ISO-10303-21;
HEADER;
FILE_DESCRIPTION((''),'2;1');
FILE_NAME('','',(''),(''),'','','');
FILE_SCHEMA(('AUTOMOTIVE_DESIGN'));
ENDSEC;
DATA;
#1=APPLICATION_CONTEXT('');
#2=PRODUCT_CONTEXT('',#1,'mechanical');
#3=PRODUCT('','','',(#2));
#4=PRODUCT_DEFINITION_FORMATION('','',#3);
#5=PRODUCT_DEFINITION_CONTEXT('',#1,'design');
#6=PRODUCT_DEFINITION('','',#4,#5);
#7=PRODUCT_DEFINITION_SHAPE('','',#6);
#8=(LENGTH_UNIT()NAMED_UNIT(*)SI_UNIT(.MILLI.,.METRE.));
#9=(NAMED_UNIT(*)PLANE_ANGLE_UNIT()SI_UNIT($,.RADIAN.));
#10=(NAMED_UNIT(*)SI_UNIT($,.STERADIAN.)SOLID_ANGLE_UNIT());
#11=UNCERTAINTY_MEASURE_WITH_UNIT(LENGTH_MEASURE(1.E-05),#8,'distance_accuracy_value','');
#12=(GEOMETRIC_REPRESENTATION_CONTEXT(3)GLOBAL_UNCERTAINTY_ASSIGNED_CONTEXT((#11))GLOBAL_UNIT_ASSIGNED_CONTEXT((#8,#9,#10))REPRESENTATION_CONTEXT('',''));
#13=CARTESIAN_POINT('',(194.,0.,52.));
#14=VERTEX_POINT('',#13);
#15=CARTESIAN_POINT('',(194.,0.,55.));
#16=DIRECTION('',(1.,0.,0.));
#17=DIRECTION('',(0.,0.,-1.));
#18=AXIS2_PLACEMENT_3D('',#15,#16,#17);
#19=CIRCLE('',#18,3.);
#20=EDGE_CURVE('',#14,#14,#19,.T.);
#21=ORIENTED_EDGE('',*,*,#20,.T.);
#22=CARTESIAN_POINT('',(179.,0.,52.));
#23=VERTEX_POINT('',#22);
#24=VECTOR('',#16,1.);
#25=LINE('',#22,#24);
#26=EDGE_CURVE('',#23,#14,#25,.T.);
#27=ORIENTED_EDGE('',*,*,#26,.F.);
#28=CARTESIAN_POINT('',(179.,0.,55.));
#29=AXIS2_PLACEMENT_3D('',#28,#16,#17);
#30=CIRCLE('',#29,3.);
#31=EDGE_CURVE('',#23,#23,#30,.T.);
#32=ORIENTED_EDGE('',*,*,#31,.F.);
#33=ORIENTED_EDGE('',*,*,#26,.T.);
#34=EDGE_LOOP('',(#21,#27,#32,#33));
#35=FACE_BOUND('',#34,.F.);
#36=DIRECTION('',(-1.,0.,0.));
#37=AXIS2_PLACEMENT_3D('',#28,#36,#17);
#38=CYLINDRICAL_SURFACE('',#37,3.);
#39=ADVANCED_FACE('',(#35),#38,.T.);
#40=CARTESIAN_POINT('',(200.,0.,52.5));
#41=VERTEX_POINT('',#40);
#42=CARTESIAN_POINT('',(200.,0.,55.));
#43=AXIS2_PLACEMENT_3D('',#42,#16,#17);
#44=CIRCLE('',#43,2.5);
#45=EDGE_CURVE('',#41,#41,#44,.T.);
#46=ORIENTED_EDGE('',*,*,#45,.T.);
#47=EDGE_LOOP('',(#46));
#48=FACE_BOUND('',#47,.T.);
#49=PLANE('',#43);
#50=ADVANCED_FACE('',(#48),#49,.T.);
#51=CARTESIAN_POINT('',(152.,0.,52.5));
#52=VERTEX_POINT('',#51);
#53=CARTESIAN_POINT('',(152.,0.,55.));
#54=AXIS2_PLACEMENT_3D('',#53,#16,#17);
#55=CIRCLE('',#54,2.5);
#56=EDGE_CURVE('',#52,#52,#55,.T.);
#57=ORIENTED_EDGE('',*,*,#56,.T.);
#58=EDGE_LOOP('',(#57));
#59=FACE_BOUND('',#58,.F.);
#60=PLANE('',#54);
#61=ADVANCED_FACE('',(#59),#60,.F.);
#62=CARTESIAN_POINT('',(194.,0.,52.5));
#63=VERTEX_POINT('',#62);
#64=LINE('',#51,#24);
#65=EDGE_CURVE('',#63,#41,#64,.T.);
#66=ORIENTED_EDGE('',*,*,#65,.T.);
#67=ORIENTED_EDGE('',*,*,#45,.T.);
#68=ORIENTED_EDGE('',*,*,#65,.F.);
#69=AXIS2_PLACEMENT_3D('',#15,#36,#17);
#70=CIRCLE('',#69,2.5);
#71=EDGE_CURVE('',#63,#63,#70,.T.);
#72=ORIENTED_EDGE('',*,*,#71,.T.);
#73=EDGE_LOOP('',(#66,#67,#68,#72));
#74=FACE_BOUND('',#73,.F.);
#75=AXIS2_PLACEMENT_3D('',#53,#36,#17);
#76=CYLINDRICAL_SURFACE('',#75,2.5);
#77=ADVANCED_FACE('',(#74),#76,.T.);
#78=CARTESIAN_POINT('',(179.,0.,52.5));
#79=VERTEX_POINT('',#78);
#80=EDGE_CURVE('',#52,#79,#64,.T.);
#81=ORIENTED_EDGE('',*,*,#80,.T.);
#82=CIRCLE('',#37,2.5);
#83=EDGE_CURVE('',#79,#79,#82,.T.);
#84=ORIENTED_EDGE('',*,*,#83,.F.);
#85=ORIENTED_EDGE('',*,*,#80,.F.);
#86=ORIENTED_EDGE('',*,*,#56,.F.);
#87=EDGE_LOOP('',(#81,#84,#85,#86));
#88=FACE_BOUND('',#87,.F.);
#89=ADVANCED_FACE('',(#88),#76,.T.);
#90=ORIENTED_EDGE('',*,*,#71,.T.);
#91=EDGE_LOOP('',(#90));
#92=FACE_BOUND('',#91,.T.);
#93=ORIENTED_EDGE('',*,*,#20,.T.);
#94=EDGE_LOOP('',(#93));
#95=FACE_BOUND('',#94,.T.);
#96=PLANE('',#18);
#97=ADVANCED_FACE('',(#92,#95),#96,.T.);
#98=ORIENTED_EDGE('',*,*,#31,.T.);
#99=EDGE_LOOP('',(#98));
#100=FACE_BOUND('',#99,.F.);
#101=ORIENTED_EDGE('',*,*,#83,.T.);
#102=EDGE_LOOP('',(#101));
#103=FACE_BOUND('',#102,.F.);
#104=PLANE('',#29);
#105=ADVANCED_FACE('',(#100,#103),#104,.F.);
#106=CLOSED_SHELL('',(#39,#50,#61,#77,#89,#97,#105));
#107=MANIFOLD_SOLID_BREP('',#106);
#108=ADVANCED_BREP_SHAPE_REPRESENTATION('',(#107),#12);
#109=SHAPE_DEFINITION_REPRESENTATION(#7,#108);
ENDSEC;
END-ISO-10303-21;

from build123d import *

# Parameters (mm, degrees)
CYLINDER1492253_R     = 2.5
CYLINDER1492253_DEPTH = 48
CYLINDER1492303_R     = 3
CYLINDER1492303_DEPTH = 15


with BuildPart() as cylinder:
    # Cylinder1492253 → Cylinder1492253 (new body)
    with BuildSketch(Plane(origin=(152, 0, 55), x_dir=(0, 0, -1), z_dir=(1, 0, 0))):
        Circle(CYLINDER1492253_R)
    extrude(amount=CYLINDER1492253_DEPTH)


with BuildPart() as gearbox_shaft_steel:
    # Cylinder1492303 → Cylinder1492303 (new body)
    with BuildSketch(Plane(origin=(179, 0, 55), x_dir=(0, 0, -1), z_dir=(1, 0, 0))):
        Circle(CYLINDER1492303_R)
    extrude(amount=CYLINDER1492303_DEPTH)

    # Fusion: union Cylinder
    add(cylinder.part)


solid = gearbox_shaft_steel.part
